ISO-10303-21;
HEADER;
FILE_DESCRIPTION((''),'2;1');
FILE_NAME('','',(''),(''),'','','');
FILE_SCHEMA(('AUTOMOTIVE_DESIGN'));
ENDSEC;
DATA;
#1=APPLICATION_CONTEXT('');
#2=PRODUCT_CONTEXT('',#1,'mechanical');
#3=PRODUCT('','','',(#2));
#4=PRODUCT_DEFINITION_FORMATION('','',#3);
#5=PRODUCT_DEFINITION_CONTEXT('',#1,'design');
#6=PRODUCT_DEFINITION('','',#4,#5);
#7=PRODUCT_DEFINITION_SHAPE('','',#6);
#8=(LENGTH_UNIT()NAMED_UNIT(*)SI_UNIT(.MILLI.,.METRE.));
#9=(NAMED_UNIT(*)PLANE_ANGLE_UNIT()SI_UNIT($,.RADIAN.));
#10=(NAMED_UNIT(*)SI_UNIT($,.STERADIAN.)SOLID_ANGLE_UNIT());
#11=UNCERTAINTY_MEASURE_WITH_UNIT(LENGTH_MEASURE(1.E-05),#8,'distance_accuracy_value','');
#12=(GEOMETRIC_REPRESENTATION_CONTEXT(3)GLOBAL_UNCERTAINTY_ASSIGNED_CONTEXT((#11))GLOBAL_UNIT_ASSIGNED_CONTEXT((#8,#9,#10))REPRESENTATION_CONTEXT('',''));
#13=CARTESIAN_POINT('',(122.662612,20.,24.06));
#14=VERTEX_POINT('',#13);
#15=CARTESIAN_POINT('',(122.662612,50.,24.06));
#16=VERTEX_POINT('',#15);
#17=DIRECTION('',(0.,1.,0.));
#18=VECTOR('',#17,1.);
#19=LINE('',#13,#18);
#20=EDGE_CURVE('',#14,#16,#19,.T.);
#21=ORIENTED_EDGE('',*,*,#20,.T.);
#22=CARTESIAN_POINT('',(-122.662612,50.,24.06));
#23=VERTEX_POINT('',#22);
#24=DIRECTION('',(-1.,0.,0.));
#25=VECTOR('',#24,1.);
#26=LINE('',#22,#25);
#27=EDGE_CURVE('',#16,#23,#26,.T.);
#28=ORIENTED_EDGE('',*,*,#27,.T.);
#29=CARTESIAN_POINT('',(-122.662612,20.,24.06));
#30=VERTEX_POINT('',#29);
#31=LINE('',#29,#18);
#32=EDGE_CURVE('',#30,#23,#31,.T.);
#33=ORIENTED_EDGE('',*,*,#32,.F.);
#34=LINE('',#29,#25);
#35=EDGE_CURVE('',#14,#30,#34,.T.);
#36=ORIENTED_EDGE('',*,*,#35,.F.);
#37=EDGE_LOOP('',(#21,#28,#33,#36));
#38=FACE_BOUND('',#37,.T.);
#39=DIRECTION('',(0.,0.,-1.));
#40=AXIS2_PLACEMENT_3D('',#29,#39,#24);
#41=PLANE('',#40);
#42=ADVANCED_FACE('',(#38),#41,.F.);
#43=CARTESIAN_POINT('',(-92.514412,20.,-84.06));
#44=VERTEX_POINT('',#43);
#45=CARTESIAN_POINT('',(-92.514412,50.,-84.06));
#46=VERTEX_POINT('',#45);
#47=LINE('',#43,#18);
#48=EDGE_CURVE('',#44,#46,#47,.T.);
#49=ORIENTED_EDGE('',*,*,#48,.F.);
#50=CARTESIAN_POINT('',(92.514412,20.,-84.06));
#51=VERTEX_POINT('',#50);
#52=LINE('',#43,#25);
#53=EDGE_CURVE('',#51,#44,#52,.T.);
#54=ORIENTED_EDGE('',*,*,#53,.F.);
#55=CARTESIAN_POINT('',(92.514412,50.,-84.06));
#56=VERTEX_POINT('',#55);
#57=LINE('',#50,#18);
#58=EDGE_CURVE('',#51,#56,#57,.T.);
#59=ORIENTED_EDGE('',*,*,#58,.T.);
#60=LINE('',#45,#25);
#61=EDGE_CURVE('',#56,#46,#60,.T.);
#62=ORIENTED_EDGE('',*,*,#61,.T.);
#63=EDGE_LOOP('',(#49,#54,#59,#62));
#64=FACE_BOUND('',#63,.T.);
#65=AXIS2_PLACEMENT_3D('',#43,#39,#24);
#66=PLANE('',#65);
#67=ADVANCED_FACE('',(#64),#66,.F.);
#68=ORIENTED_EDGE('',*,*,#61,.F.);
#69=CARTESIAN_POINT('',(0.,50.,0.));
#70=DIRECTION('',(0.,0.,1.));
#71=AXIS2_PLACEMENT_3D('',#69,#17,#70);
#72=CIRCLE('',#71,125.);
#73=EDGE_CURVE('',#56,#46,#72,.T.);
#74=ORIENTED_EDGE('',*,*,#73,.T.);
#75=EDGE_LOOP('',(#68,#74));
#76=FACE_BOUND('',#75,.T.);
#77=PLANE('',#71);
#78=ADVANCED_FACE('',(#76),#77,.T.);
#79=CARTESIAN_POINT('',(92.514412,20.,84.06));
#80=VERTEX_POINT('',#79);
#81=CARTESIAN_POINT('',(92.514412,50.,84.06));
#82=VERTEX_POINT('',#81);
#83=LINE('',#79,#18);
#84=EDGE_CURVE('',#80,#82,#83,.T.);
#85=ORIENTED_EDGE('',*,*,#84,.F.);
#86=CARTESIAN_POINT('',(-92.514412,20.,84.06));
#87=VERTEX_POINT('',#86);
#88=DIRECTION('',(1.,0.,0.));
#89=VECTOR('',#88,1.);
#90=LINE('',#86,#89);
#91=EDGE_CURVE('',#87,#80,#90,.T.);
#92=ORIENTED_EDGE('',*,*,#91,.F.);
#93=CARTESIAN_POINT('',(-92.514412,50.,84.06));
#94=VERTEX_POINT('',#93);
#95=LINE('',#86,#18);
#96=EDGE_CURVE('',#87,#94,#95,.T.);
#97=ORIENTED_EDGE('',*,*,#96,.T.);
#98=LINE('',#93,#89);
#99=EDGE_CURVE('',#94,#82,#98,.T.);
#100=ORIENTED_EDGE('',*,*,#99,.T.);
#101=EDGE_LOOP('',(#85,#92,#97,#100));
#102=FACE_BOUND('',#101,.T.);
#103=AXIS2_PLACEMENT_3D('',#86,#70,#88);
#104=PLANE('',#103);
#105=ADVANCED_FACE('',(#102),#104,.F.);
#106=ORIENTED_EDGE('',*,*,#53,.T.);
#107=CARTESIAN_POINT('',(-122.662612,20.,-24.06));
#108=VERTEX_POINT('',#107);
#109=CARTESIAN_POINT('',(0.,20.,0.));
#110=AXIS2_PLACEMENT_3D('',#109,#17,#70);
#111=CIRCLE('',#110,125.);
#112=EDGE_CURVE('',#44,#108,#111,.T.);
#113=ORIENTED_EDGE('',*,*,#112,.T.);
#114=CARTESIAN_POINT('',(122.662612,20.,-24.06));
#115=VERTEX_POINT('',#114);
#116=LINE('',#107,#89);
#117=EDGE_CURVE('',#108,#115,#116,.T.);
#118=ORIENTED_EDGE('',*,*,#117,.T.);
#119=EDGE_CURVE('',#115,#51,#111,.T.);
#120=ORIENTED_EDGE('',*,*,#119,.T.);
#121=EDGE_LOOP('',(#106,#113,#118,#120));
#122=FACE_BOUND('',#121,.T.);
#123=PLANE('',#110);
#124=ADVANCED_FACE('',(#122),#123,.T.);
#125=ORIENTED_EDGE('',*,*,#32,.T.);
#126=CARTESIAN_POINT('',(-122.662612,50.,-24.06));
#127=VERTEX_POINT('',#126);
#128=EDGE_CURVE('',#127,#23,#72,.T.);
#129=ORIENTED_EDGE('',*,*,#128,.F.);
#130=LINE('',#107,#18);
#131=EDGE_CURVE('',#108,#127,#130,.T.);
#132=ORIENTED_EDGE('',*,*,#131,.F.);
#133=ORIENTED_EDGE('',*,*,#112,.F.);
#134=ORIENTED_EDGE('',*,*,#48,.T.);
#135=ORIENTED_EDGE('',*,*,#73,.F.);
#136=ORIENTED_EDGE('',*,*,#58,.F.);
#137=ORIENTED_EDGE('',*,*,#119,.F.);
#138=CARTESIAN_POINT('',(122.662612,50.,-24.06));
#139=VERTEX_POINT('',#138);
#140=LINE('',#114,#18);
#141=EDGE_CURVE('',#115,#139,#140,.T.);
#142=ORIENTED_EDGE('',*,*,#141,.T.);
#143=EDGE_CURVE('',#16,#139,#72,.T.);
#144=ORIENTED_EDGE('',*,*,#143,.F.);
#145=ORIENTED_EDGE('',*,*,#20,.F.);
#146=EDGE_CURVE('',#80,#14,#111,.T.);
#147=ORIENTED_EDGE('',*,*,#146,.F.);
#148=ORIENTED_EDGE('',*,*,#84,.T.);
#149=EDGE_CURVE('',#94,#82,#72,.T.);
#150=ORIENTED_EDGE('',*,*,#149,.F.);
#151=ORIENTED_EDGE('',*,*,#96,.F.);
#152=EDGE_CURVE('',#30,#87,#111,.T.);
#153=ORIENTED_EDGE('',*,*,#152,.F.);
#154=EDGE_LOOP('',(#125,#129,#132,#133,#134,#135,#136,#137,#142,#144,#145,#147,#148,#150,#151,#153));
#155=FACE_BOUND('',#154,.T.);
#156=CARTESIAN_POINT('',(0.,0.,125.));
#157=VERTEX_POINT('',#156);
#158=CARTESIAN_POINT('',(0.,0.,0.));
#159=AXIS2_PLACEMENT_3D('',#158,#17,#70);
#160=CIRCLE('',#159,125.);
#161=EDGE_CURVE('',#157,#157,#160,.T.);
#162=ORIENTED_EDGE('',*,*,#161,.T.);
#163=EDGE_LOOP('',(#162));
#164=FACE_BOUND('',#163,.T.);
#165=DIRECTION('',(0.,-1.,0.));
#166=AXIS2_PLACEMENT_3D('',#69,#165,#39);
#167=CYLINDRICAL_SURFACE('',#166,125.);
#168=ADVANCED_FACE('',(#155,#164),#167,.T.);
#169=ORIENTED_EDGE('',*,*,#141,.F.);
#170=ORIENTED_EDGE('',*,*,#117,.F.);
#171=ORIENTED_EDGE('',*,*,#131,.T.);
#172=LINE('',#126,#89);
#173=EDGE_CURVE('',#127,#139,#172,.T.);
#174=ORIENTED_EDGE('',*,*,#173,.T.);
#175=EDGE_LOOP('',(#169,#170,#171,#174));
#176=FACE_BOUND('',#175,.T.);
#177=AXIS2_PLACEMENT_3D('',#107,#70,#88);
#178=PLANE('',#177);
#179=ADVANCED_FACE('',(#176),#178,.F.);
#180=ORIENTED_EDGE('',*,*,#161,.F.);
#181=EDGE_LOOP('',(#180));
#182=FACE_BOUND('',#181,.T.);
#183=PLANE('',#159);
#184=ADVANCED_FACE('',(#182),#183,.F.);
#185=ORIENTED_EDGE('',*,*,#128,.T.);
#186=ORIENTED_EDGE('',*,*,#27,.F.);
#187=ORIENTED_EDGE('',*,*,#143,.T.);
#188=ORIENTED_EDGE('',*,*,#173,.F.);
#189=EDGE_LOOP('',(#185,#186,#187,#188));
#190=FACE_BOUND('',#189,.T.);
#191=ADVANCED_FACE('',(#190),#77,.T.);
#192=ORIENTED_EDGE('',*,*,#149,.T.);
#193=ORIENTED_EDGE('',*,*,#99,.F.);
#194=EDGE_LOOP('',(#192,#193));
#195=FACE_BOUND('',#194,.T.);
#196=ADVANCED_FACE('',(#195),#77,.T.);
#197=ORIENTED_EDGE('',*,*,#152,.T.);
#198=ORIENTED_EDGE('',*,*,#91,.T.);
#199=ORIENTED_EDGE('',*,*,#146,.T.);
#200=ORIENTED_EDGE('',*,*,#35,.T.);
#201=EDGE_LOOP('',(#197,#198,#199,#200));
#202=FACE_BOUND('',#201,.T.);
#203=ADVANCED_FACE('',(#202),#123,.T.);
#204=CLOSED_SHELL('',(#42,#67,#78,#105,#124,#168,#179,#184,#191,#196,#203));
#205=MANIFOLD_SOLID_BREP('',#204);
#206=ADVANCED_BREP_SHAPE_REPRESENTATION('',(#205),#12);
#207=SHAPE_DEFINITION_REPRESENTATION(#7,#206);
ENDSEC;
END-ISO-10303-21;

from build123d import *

# Parameters (mm, degrees)
SKETCH2_R           = 125
BOSS_EXTRUDE1_DEPTH = 50
CUT_EXTRUDE1_START  = -30
CUT_EXTRUDE1_DEPTH  = 30


with BuildPart() as part:
    # Sketch2 → Boss-Extrude1 (new body)
    with BuildSketch(Plane(origin=(0, 0, 0), x_dir=(1, 0, 0), z_dir=(0, 1, 0))):
        with Locations(Location((0, 0, 0), (0, 0, 270))):
            Circle(SKETCH2_R)
    extrude(amount=BOSS_EXTRUDE1_DEPTH)

    # Sketch3 → Cut-Extrude1 (cut)
    with BuildSketch(Plane(origin=(0, 50, 0), x_dir=(1, 0, 0), z_dir=(0, 1, 0)).offset(CUT_EXTRUDE1_START)):
        with BuildLine():
            Line((-122.662612071, 24.06), (122.662612071, 24.06))
            ThreePointArc((122.662612071, 24.06), (111.692828355, 56.122295874), (92.51441185, 84.06))
            Line((92.51441185, 84.06), (-92.51441185, 84.06))
            ThreePointArc((-92.51441185, 84.06), (-111.692828355, 56.122295874), (-122.662612071, 24.06))
        make_face()
        with BuildLine():
            Line((-122.662612071, -24.06), (122.662612071, -24.06))
            ThreePointArc((122.662612071, -24.06), (111.692828355, -56.122295874), (92.51441185, -84.06))
            Line((92.51441185, -84.06), (-92.51441185, -84.06))
            ThreePointArc((-92.51441185, -84.06), (-111.692828355, -56.122295874), (-122.662612071, -24.06))
        make_face()
    extrude(amount=CUT_EXTRUDE1_DEPTH, mode=Mode.SUBTRACT)


solid = part.part
